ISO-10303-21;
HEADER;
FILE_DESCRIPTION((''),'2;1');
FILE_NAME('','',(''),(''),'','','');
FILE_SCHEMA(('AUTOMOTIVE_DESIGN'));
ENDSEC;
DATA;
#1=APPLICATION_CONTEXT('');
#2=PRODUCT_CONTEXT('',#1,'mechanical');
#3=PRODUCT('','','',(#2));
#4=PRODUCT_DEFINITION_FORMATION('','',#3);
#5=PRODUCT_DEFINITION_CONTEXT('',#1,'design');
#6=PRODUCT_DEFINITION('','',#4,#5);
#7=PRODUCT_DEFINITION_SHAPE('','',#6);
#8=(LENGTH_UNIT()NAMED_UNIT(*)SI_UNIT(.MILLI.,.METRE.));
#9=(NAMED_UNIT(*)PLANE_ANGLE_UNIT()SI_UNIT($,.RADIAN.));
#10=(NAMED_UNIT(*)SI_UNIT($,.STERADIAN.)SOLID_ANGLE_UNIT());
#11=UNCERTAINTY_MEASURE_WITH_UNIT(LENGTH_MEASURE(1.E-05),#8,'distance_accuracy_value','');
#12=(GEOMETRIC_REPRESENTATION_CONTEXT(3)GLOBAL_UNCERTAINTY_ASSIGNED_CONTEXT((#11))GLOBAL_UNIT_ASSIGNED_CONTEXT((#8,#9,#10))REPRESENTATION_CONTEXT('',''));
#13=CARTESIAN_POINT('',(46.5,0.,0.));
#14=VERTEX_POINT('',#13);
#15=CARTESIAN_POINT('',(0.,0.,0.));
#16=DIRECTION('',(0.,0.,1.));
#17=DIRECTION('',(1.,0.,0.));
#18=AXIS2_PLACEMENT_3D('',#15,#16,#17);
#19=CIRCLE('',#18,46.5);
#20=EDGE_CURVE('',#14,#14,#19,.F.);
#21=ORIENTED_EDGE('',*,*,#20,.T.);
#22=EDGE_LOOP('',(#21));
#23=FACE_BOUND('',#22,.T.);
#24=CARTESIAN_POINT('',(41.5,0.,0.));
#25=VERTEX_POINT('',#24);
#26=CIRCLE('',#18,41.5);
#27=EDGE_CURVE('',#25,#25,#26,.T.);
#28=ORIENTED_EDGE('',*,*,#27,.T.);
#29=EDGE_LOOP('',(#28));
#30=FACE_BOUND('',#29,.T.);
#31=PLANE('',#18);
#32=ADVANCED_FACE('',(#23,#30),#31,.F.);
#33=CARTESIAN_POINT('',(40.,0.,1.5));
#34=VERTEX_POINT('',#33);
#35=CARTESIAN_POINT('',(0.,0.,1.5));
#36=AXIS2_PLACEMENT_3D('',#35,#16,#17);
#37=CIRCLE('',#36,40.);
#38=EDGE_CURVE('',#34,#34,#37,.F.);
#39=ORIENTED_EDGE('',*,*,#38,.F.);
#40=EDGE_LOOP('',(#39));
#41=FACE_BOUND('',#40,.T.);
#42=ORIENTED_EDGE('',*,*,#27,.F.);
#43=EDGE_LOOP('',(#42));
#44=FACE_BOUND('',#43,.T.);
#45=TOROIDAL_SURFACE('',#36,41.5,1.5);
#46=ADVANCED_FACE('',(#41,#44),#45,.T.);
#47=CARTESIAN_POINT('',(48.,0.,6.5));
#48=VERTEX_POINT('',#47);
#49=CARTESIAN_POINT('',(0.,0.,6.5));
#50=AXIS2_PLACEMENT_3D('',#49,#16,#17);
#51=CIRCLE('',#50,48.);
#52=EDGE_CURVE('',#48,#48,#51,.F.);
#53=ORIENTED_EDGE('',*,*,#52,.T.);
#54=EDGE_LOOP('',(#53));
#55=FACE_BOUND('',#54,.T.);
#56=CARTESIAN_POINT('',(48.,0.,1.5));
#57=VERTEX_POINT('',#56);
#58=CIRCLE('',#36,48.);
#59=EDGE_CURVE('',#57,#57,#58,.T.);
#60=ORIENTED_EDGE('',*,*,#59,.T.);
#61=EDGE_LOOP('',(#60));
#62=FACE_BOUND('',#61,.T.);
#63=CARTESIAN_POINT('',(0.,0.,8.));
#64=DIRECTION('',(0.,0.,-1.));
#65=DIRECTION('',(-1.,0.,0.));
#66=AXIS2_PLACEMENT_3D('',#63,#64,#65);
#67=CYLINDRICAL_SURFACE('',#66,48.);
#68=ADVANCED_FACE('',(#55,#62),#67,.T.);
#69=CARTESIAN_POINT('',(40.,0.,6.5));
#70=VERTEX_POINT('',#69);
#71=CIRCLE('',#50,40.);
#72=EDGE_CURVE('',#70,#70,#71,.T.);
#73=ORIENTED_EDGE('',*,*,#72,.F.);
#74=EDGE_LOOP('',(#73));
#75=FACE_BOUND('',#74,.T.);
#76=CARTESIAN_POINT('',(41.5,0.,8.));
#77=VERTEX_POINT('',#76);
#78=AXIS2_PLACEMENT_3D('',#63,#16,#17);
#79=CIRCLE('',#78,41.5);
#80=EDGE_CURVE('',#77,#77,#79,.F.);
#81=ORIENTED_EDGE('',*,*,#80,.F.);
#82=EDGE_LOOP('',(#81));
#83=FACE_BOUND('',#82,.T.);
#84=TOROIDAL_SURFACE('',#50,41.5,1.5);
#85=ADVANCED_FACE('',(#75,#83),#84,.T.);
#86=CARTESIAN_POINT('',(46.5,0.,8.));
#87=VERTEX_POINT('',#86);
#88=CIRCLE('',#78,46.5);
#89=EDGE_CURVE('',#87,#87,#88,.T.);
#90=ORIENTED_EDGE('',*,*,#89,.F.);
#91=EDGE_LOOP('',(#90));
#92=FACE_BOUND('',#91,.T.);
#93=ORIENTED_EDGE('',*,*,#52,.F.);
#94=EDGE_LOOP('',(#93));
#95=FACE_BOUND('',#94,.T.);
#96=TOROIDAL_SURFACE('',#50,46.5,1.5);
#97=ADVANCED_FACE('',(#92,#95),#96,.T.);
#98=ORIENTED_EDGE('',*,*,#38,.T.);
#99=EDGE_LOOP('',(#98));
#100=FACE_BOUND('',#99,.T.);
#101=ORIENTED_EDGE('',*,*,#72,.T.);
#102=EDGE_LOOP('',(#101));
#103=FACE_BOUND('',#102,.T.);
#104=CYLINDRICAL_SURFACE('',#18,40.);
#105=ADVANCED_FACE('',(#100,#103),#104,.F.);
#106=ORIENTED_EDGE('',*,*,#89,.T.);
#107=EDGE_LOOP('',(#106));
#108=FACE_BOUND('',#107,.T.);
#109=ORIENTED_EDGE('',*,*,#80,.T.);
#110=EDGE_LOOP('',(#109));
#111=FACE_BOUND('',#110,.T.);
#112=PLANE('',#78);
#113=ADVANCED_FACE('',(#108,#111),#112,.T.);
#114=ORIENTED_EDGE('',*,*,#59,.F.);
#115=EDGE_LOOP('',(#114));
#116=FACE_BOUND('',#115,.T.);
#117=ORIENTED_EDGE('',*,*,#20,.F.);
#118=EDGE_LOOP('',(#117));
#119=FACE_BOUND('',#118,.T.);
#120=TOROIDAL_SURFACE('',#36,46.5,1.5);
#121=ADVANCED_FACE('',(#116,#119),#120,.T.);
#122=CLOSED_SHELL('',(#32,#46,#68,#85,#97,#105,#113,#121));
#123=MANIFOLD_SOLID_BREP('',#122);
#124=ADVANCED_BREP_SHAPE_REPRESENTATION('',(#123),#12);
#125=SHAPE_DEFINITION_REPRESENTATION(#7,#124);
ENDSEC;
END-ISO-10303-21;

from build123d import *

# Parameters (mm, degrees)
SKETCH_1_R      = 48
SLEEVE_DEPTH    = 8
SKETCH_2_R      = 40
BORE_DEPTH      = 69.352029963
ROUNDED_EDGES_R = 1.5


with BuildPart() as part:
    # 草图1 → Sleeve (new body)
    with BuildSketch(Plane.XY):
        Circle(SKETCH_1_R)
    extrude(amount=SLEEVE_DEPTH)

    # 草图2 → Bore (cut, through all)
    with BuildSketch(Plane.XY.offset(8)):
        Circle(SKETCH_2_R)
    extrude(amount=-BORE_DEPTH, mode=Mode.SUBTRACT)

    # Rounded_edges
    rounded_edges_edges = [part.edges().sort_by_distance(p)[0] for p in [
        (-48, 0, 0),
        (-48, 0, 8),
        (-40, 0, 0),
        (-40, 0, 8),
    ]]
    fillet(rounded_edges_edges, radius=ROUNDED_EDGES_R)


solid = part.part
